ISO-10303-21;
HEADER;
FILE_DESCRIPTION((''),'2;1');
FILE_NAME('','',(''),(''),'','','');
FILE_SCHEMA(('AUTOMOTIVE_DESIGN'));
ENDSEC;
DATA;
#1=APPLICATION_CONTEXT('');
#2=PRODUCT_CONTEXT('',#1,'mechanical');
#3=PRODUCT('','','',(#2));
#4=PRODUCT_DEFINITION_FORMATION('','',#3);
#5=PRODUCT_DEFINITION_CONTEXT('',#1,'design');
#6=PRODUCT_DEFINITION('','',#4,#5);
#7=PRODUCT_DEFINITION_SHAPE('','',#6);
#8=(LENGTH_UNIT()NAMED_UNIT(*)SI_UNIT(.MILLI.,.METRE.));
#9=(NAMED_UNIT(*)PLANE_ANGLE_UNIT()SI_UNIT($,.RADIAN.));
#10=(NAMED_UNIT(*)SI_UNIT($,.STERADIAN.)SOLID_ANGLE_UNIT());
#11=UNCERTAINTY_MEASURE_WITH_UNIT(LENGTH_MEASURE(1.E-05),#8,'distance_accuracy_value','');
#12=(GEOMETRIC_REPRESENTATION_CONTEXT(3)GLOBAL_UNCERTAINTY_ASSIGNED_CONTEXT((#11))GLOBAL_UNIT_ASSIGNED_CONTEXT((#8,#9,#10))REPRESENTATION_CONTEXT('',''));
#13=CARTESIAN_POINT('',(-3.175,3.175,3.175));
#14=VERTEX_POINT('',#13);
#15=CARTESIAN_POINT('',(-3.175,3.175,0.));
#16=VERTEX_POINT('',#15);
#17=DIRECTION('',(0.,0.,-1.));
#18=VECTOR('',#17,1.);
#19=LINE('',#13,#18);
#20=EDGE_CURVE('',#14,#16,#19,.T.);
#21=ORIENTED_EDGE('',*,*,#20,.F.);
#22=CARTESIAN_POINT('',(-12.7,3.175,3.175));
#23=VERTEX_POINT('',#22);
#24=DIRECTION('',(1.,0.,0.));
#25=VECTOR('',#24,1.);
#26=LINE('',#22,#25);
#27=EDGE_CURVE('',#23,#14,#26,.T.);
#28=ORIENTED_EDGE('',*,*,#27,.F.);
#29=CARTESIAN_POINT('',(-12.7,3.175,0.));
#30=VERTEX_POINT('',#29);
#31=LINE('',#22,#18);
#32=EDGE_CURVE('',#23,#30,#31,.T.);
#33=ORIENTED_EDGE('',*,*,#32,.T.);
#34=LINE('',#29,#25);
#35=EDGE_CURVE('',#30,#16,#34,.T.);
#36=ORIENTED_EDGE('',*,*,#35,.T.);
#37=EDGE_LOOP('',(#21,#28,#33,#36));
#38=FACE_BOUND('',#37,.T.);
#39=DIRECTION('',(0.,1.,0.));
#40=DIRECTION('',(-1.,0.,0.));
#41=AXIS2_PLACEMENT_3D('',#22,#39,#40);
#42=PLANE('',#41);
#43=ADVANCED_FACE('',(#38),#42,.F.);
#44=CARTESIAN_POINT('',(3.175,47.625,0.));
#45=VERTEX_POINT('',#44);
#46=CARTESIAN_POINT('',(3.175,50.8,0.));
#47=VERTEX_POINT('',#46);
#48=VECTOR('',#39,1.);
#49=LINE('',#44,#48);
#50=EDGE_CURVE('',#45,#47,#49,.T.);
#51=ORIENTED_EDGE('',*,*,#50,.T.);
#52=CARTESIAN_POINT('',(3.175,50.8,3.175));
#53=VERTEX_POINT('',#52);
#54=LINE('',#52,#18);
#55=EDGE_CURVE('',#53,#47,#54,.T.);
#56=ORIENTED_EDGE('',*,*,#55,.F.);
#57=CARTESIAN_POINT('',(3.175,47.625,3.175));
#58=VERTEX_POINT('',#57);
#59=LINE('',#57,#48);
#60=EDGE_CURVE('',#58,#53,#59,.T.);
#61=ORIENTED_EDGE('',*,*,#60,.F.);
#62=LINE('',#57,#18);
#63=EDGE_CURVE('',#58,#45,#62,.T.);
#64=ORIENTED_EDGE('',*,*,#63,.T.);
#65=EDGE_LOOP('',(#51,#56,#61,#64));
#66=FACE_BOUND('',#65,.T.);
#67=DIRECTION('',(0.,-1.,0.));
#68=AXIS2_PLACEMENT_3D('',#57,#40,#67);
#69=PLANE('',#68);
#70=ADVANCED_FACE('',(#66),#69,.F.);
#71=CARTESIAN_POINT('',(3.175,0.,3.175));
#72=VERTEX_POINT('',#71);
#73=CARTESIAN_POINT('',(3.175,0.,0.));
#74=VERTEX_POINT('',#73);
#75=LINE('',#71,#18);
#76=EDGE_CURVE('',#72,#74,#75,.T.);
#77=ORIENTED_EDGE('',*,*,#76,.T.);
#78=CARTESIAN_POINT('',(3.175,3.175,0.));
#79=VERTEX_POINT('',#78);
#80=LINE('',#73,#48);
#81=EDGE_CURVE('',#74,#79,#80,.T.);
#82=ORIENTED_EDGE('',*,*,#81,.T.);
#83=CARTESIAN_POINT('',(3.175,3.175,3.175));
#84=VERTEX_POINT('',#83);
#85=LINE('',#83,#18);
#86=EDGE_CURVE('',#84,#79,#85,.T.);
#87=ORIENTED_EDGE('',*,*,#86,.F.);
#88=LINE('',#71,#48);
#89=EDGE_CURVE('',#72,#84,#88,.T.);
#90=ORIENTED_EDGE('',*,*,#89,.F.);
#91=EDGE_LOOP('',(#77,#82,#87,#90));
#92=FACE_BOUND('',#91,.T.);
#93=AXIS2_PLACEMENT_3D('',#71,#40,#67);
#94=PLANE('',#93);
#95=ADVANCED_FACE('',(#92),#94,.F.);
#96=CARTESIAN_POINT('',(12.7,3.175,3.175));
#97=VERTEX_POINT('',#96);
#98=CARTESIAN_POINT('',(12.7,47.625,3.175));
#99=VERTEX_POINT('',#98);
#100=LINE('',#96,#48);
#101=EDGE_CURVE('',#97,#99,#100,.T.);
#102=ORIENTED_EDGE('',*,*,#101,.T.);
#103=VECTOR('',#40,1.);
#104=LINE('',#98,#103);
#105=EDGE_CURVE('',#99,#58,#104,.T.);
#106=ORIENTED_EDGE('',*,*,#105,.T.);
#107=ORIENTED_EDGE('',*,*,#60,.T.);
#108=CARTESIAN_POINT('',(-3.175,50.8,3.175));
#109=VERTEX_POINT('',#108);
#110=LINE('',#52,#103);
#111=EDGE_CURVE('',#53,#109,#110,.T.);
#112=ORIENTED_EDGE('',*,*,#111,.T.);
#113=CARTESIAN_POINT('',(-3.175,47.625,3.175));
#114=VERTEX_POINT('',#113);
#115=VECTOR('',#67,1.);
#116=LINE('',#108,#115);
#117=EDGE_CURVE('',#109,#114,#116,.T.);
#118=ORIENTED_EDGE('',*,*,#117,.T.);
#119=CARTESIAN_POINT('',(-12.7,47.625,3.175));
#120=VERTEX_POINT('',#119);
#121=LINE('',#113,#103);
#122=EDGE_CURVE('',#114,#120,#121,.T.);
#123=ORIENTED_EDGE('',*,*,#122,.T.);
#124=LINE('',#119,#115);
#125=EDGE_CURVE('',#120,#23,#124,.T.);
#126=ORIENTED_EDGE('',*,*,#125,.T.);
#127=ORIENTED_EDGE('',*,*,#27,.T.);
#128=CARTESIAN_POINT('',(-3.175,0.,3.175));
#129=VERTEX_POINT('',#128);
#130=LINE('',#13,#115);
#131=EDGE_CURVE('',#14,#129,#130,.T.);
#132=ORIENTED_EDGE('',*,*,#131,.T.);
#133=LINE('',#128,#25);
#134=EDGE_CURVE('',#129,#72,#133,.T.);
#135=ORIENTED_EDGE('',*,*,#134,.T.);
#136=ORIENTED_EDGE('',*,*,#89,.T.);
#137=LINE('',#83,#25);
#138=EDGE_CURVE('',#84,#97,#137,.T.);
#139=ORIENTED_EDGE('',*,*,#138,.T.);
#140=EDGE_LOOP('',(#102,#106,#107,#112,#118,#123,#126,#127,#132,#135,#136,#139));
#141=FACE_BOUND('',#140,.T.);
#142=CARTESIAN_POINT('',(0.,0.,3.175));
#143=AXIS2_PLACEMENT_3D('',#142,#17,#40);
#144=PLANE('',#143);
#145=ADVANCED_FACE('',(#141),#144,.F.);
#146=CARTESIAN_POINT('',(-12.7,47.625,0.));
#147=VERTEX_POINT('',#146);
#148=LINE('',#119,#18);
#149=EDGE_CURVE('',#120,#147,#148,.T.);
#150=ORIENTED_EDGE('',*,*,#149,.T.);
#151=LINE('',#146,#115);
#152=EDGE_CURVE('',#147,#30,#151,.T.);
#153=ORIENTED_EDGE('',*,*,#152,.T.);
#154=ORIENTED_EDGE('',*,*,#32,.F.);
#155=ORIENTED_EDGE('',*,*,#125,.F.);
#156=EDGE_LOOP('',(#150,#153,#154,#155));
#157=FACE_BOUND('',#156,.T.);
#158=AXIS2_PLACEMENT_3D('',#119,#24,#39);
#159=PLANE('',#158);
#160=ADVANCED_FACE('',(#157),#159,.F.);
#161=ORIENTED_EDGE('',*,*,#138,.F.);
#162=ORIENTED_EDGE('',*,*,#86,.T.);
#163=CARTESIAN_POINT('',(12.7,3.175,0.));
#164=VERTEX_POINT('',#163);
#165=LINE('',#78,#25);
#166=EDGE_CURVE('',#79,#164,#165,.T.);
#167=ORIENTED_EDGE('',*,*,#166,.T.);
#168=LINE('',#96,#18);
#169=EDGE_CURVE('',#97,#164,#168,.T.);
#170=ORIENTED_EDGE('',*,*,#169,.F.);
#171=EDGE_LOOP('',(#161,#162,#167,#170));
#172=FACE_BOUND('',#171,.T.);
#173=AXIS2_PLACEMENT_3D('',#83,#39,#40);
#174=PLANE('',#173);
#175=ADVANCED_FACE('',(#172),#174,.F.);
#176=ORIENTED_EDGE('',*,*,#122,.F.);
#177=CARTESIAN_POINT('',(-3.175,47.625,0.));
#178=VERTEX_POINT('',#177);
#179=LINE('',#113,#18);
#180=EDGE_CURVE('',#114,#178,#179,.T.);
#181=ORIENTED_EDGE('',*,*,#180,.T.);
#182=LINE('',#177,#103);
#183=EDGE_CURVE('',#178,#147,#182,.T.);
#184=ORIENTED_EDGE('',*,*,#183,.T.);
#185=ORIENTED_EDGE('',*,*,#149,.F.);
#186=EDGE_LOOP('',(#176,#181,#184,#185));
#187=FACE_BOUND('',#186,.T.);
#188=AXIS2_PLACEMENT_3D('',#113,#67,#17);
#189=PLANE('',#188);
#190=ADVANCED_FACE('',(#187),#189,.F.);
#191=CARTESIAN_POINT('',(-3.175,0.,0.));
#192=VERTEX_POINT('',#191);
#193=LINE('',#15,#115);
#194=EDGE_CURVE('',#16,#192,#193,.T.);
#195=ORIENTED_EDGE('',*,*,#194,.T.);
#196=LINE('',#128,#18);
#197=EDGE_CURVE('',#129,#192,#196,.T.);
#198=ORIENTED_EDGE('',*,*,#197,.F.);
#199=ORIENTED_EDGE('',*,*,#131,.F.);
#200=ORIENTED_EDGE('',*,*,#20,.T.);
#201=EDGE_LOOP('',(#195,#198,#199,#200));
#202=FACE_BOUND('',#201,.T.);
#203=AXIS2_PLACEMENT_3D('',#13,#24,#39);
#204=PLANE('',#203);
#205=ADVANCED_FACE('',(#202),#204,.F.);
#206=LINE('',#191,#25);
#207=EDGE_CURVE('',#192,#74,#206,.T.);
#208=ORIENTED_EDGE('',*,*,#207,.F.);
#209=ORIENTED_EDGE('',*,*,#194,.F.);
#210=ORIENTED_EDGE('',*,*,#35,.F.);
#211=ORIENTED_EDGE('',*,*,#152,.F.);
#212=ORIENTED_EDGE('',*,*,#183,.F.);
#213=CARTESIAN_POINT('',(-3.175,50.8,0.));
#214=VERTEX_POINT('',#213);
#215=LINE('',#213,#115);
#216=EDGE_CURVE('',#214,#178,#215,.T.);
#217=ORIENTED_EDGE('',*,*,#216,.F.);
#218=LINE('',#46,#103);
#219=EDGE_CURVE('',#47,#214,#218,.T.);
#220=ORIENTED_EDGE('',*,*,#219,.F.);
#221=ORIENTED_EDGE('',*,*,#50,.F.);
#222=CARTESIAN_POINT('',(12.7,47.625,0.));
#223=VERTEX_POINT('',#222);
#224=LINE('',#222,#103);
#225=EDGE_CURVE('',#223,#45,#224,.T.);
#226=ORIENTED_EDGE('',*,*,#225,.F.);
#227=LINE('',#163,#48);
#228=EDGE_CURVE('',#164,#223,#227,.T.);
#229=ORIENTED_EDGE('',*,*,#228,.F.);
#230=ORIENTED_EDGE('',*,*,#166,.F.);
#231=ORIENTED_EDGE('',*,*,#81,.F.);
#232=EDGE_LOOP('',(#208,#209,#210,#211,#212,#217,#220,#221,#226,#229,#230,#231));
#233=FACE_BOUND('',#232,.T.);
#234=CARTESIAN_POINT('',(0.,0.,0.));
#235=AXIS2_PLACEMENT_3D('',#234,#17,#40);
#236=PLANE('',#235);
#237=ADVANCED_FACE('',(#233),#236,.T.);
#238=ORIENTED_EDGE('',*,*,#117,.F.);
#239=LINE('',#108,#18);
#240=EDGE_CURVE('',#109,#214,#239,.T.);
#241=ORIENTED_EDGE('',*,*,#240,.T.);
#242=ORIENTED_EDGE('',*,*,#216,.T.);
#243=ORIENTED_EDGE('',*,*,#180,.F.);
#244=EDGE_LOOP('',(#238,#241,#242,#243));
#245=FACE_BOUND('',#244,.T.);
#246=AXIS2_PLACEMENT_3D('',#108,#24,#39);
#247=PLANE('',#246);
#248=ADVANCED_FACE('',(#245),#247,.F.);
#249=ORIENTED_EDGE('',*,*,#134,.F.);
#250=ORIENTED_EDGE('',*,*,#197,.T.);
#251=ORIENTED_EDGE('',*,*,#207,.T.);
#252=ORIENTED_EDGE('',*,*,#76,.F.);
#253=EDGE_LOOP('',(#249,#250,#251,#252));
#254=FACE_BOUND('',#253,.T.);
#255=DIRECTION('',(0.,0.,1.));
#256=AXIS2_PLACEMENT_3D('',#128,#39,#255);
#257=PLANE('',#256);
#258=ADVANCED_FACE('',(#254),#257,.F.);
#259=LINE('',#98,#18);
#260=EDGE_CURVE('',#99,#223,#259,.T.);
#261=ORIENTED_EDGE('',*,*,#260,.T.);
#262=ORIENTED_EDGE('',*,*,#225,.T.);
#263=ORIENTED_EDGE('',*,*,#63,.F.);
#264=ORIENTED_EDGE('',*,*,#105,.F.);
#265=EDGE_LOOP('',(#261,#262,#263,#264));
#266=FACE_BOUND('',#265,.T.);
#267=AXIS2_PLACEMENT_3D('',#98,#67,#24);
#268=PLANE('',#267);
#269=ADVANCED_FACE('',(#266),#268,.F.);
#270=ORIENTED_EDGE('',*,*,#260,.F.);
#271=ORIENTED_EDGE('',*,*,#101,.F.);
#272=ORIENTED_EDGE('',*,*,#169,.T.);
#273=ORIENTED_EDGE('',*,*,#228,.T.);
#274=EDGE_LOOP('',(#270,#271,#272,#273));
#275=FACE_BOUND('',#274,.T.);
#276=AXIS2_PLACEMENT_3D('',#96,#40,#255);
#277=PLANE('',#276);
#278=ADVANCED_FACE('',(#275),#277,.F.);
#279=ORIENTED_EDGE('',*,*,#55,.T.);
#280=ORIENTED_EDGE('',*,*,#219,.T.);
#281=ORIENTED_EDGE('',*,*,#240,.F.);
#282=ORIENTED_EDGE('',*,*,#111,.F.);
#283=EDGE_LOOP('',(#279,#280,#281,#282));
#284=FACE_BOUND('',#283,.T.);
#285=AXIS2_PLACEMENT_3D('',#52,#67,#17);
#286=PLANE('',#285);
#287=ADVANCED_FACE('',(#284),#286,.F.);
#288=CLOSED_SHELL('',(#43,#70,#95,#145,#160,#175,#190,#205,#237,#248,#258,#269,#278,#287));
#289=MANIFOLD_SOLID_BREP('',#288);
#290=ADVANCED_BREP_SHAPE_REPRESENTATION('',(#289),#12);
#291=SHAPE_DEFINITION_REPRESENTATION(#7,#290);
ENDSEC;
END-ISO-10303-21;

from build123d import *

# Parameters (mm, degrees)
BOSS_EXTRUDE1_DEPTH = 3.175


with BuildPart() as part:
    # Sketch1 → Boss-Extrude1 (new body)
    with BuildSketch(Plane.XY):
        Polygon((-3.175, 0), (3.175, 0), (3.175, 3.175), (12.7, 3.175), (12.7, 47.625), (3.175, 47.625), (3.175, 50.8), (-3.175, 50.8), (-3.175, 47.625), (-12.7, 47.625), (-12.7, 3.175), (-3.175, 3.175), align=None)
    extrude(amount=BOSS_EXTRUDE1_DEPTH)


solid = part.part
